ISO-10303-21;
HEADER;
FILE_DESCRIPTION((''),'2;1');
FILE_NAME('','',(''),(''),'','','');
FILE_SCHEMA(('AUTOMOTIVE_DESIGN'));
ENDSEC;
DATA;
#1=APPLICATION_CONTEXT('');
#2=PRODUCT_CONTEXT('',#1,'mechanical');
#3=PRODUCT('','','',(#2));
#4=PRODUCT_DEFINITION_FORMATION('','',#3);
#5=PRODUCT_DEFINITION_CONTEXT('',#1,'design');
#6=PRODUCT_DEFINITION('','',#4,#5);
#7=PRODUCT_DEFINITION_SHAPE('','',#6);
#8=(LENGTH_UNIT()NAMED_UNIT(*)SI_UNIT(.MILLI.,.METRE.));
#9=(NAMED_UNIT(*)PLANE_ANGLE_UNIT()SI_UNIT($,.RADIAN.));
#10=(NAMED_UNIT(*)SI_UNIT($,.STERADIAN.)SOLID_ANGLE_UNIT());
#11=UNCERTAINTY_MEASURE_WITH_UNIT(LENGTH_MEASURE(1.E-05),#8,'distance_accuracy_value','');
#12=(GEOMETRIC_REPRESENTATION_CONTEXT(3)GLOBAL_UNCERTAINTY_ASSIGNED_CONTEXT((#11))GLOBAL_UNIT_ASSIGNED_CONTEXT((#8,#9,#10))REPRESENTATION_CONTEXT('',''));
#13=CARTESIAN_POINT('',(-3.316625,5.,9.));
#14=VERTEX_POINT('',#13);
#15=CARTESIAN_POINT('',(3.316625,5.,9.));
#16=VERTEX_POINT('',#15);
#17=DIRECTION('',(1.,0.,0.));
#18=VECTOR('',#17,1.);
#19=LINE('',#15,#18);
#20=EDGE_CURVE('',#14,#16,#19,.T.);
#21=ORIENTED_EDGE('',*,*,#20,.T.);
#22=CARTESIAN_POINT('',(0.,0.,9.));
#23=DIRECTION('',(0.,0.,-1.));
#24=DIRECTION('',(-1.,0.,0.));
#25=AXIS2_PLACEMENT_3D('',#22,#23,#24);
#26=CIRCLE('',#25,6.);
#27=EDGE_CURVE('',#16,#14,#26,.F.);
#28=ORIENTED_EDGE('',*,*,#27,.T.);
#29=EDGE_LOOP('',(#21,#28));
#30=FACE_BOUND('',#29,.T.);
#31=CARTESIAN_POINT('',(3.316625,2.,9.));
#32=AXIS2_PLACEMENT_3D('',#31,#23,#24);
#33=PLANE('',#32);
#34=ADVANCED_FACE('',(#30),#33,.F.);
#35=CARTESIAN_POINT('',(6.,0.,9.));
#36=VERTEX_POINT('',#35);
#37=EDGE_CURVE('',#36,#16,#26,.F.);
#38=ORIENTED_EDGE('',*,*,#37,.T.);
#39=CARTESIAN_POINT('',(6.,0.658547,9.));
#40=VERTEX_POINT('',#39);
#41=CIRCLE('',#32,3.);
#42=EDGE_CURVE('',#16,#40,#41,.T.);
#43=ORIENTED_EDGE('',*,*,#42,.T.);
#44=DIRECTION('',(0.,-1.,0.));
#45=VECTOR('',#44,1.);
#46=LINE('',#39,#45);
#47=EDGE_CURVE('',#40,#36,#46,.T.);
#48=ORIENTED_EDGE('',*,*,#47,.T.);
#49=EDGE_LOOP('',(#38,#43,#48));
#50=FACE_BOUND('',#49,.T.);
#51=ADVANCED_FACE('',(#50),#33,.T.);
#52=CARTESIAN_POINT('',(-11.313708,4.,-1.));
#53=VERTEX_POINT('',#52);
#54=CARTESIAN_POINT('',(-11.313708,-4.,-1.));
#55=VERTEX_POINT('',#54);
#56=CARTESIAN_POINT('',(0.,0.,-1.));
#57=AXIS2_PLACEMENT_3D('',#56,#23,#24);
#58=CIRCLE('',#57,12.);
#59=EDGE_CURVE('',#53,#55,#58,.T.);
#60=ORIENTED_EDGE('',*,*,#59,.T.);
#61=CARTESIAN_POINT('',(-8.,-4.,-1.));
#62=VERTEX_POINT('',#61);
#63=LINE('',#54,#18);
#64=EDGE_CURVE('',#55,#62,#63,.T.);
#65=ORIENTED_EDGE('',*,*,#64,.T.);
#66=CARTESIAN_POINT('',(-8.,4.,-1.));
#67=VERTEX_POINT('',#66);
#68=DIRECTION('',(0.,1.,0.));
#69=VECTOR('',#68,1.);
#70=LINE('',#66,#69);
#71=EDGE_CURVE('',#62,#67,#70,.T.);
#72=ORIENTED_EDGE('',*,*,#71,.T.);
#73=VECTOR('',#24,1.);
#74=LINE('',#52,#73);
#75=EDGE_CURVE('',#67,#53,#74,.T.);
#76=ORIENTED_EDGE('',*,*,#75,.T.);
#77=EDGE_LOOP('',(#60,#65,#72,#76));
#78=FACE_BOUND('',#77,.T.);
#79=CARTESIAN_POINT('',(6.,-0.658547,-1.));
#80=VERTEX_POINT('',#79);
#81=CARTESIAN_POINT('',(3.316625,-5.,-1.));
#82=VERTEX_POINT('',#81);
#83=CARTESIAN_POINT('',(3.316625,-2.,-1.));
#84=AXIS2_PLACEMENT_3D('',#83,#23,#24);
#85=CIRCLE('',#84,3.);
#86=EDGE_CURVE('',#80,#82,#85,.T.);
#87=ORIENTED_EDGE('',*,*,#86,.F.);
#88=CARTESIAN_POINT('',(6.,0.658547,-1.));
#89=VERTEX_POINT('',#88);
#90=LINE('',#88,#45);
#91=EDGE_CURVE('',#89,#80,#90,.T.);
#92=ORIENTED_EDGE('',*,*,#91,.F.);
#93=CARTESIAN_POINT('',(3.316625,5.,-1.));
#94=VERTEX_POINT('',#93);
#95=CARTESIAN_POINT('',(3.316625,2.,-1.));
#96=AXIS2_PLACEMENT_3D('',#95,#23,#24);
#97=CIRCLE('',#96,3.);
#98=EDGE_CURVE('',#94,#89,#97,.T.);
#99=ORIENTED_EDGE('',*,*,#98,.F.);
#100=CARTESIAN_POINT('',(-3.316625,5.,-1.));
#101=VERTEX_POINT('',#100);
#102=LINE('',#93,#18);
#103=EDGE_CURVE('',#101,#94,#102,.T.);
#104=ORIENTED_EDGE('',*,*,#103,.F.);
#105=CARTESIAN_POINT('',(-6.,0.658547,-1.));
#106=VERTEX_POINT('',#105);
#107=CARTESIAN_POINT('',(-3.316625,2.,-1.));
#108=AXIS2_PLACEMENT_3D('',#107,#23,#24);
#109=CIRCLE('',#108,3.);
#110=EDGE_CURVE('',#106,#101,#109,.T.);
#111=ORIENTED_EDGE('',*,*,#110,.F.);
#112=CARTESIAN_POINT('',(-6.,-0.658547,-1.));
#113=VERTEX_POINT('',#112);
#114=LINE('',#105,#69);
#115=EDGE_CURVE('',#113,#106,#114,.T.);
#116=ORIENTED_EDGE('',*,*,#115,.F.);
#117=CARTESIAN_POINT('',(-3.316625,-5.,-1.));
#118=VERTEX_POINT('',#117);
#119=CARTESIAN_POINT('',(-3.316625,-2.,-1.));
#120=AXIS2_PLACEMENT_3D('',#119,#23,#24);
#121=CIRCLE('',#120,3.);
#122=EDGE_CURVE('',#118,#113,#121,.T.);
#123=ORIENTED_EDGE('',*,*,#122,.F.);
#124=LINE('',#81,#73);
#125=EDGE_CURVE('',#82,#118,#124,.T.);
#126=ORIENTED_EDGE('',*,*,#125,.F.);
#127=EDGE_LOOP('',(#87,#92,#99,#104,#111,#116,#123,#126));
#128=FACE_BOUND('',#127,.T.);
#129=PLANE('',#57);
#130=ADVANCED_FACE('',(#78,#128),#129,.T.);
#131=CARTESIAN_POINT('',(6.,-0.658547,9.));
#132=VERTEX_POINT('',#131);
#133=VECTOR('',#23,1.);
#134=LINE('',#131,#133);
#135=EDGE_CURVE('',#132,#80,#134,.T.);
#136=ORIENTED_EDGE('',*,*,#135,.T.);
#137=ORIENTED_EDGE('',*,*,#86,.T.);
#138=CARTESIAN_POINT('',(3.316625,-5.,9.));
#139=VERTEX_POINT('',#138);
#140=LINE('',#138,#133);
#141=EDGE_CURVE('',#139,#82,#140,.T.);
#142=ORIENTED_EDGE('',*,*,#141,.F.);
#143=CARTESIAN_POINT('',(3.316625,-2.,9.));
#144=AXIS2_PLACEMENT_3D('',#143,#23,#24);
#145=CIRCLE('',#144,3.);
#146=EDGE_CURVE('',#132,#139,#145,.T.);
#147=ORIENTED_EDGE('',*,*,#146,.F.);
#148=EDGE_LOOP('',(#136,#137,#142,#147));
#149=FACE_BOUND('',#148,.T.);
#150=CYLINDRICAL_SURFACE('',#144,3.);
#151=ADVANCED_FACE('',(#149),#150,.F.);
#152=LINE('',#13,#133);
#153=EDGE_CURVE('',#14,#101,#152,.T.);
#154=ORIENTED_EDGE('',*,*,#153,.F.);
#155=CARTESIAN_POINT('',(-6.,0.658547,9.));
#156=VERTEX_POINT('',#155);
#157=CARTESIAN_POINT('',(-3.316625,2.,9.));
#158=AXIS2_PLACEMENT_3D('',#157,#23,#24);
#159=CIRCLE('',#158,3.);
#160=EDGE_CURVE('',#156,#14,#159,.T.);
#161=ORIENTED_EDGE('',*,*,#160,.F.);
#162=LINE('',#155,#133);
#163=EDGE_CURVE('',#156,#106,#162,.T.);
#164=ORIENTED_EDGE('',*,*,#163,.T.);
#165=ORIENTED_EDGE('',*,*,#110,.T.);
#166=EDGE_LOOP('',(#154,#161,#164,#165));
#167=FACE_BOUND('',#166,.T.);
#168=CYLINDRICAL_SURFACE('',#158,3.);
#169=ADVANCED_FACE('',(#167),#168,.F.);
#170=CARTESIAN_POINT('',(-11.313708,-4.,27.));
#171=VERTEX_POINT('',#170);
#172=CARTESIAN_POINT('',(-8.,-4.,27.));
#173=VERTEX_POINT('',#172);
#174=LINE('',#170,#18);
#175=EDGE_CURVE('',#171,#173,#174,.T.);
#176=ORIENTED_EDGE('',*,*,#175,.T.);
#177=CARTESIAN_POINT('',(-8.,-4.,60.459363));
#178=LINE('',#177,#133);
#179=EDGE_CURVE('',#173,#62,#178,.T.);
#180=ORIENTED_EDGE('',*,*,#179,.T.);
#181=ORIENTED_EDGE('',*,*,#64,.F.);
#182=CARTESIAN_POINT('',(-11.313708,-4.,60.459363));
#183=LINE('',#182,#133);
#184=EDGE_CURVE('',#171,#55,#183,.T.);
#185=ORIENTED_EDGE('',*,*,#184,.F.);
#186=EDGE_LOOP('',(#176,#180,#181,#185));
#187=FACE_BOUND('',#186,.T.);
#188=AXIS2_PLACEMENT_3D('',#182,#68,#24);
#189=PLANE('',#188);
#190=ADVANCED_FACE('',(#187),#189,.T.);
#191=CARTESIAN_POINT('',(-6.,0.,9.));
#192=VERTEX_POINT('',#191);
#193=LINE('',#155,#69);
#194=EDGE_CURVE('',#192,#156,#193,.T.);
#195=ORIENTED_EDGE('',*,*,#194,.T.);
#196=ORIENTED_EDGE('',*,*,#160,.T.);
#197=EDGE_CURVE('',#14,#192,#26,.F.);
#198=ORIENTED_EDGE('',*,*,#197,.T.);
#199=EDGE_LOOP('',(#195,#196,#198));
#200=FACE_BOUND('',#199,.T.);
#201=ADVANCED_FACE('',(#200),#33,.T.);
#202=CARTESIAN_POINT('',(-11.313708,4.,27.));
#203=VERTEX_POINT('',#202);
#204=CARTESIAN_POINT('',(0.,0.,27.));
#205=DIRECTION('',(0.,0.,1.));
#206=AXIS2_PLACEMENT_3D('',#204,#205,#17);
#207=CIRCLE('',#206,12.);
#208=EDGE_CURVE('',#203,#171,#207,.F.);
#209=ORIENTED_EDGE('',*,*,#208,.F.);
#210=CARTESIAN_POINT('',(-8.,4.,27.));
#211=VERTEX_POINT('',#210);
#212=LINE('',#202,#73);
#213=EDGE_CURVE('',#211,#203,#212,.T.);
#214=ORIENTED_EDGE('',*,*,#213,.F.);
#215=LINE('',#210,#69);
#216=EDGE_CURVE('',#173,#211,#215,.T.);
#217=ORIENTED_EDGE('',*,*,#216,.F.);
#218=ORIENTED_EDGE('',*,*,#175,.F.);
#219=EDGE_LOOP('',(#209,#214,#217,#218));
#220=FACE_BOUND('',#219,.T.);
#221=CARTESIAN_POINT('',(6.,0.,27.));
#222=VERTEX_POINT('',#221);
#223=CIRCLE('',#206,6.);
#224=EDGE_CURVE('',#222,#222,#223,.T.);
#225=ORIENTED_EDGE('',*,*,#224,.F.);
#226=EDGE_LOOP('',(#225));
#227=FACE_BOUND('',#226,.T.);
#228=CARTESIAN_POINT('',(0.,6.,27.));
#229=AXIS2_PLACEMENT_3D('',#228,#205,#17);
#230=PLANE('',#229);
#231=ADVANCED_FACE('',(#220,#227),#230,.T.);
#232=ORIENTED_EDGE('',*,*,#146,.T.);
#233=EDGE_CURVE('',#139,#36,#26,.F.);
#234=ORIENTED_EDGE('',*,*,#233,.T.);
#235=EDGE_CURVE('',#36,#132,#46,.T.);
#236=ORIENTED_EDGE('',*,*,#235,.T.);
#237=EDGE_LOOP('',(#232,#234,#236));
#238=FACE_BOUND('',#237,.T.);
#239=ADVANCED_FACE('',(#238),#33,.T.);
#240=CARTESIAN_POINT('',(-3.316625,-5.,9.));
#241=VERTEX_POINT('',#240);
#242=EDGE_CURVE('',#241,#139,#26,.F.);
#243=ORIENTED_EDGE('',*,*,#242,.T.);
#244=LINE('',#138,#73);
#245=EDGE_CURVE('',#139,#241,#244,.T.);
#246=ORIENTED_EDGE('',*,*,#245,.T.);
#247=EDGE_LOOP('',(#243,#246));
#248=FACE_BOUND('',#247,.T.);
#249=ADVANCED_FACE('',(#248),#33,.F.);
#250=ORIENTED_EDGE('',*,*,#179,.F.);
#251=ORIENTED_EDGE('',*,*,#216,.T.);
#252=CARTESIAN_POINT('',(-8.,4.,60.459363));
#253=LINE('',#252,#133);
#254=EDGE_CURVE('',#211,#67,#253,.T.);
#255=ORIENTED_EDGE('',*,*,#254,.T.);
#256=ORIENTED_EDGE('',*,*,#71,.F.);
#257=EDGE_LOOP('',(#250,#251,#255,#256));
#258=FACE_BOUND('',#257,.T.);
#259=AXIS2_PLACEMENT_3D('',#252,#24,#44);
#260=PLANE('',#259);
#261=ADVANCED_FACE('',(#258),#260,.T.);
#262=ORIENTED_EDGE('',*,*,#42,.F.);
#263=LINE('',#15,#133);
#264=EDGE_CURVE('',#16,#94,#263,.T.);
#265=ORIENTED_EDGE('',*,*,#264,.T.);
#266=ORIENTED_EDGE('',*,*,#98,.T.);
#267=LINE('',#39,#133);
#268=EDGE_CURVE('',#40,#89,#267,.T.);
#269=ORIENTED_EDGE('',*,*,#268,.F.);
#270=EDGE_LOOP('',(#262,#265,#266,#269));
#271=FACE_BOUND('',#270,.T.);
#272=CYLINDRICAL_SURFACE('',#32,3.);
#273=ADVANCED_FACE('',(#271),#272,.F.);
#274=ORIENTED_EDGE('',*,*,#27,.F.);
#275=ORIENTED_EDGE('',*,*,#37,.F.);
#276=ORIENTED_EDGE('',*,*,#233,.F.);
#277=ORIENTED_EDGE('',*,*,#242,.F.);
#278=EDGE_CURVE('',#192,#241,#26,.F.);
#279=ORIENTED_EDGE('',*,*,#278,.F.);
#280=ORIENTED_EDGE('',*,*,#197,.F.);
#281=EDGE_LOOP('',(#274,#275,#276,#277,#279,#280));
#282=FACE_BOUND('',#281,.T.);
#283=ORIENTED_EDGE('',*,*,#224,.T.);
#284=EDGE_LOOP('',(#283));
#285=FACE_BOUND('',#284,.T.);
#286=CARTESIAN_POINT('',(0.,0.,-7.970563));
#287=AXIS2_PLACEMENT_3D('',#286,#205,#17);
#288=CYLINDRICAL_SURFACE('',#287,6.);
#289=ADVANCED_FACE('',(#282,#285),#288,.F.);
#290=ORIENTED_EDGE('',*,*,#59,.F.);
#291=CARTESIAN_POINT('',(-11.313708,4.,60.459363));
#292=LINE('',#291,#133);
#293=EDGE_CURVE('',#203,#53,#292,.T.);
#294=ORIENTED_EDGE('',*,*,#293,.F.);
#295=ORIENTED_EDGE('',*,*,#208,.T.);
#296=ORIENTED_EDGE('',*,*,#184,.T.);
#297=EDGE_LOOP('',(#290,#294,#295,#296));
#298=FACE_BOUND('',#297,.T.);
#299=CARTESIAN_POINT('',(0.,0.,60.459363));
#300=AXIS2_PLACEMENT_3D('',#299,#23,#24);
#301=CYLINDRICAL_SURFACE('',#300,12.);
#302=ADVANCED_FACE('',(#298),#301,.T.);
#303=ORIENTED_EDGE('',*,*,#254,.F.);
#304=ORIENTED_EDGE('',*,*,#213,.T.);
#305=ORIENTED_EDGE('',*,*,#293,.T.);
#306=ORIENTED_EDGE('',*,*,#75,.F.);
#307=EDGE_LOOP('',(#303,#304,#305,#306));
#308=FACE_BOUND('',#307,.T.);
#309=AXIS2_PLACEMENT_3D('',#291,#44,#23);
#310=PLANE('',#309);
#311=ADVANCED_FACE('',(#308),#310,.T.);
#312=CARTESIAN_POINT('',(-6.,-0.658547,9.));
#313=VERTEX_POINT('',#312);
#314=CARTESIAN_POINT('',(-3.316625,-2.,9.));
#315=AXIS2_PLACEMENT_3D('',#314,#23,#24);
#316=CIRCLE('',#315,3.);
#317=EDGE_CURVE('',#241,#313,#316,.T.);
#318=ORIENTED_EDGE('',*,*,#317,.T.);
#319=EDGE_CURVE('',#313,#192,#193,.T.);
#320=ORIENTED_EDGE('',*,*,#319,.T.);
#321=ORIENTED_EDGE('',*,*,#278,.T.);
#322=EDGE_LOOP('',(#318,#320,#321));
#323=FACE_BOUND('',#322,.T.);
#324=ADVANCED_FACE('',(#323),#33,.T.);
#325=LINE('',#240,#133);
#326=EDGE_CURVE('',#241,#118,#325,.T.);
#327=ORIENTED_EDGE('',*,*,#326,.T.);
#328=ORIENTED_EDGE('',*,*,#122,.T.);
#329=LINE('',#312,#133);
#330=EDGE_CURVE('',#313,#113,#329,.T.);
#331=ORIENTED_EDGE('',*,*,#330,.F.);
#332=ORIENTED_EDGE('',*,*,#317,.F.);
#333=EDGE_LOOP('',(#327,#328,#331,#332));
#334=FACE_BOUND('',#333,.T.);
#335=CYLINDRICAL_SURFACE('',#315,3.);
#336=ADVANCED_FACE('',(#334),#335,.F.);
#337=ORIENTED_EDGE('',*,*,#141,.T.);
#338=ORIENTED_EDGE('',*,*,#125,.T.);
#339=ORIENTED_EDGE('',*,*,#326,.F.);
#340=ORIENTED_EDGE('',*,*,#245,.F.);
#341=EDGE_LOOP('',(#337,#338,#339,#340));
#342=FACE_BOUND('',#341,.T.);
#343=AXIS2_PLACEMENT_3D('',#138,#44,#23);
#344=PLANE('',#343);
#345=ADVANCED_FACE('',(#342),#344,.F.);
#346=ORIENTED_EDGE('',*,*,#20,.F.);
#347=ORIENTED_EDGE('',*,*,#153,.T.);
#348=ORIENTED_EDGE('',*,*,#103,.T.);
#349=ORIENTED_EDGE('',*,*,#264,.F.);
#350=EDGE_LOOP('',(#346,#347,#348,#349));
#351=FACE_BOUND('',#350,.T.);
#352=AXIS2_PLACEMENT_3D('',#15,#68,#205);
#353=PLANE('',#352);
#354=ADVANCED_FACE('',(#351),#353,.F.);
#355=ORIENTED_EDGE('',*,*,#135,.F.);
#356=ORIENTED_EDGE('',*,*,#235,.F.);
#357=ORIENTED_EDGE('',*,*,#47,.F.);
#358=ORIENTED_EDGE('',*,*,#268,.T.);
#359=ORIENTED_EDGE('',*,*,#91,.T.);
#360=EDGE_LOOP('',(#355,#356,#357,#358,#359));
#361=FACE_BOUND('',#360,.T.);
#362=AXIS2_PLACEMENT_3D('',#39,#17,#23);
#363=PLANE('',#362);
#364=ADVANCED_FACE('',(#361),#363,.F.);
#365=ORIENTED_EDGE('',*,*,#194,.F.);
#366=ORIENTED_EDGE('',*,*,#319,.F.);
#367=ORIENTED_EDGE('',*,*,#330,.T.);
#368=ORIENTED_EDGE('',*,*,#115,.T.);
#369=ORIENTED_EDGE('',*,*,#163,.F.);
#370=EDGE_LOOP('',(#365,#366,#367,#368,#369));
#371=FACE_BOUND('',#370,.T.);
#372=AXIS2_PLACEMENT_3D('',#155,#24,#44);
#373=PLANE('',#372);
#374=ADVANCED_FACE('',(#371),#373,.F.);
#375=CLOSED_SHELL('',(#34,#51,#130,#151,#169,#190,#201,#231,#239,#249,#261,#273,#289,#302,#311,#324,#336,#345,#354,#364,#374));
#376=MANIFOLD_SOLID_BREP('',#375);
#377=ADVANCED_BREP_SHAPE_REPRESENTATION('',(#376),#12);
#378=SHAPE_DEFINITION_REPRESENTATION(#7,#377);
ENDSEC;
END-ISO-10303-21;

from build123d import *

# Parameters (mm, degrees)
EXTRUDE_1_DEPTH     = 28
CUT_EXTRUDE_1_DEPTH = 10
SKETCH_3_R          = 6
CUT_EXTRUDE_2_DEPTH = 18


with BuildPart() as part:
    # Эскиз1 → Бобышка-Вытянуть1 (new body)
    with BuildSketch(Plane(origin=(0, 0, -1), x_dir=(-1, 0, 0), z_dir=(0, 0, -1))):
        with BuildLine():
            Line((11.313708499, 4), (8, 4))
            Line((8, 4), (8, -4))
            Line((8, -4), (11.313708499, -4))
            ThreePointArc((11.313708499, -4), (-12, 0), (11.313708499, 4))
        make_face()
    extrude(amount=-EXTRUDE_1_DEPTH)

    # Эскиз2 → Вырез-Вытянуть1 (cut)
    with BuildSketch(Plane(origin=(0, 0, -1), x_dir=(-1, 0, 0), z_dir=(0, 0, -1))):
        with BuildLine():
            Line((-3.31662479, 5), (3.31662479, 5))
            ThreePointArc((3.31662479, 5), (5.868522172, 3.577282395), (6, 0.658546503))
            Line((6, 0.658546503), (6, -0.658546503))
            ThreePointArc((6, -0.658546503), (5.868522172, -3.577282395), (3.31662479, -5))
            Line((3.31662479, -5), (-3.31662479, -5))
            ThreePointArc((-3.31662479, -5), (-5.868522172, -3.577282395), (-6, -0.658546503))
            Line((-6, -0.658546503), (-6, 0.658546503))
            ThreePointArc((-6, 0.658546503), (-5.868522172, 3.577282395), (-3.31662479, 5))
        make_face()
    extrude(amount=-CUT_EXTRUDE_1_DEPTH, mode=Mode.SUBTRACT)

    # Эскиз3 → Вырез-Вытянуть2 (cut)
    with BuildSketch(Plane.XY.offset(27)):
        Circle(SKETCH_3_R)
    extrude(amount=-CUT_EXTRUDE_2_DEPTH, mode=Mode.SUBTRACT)


solid = part.part
